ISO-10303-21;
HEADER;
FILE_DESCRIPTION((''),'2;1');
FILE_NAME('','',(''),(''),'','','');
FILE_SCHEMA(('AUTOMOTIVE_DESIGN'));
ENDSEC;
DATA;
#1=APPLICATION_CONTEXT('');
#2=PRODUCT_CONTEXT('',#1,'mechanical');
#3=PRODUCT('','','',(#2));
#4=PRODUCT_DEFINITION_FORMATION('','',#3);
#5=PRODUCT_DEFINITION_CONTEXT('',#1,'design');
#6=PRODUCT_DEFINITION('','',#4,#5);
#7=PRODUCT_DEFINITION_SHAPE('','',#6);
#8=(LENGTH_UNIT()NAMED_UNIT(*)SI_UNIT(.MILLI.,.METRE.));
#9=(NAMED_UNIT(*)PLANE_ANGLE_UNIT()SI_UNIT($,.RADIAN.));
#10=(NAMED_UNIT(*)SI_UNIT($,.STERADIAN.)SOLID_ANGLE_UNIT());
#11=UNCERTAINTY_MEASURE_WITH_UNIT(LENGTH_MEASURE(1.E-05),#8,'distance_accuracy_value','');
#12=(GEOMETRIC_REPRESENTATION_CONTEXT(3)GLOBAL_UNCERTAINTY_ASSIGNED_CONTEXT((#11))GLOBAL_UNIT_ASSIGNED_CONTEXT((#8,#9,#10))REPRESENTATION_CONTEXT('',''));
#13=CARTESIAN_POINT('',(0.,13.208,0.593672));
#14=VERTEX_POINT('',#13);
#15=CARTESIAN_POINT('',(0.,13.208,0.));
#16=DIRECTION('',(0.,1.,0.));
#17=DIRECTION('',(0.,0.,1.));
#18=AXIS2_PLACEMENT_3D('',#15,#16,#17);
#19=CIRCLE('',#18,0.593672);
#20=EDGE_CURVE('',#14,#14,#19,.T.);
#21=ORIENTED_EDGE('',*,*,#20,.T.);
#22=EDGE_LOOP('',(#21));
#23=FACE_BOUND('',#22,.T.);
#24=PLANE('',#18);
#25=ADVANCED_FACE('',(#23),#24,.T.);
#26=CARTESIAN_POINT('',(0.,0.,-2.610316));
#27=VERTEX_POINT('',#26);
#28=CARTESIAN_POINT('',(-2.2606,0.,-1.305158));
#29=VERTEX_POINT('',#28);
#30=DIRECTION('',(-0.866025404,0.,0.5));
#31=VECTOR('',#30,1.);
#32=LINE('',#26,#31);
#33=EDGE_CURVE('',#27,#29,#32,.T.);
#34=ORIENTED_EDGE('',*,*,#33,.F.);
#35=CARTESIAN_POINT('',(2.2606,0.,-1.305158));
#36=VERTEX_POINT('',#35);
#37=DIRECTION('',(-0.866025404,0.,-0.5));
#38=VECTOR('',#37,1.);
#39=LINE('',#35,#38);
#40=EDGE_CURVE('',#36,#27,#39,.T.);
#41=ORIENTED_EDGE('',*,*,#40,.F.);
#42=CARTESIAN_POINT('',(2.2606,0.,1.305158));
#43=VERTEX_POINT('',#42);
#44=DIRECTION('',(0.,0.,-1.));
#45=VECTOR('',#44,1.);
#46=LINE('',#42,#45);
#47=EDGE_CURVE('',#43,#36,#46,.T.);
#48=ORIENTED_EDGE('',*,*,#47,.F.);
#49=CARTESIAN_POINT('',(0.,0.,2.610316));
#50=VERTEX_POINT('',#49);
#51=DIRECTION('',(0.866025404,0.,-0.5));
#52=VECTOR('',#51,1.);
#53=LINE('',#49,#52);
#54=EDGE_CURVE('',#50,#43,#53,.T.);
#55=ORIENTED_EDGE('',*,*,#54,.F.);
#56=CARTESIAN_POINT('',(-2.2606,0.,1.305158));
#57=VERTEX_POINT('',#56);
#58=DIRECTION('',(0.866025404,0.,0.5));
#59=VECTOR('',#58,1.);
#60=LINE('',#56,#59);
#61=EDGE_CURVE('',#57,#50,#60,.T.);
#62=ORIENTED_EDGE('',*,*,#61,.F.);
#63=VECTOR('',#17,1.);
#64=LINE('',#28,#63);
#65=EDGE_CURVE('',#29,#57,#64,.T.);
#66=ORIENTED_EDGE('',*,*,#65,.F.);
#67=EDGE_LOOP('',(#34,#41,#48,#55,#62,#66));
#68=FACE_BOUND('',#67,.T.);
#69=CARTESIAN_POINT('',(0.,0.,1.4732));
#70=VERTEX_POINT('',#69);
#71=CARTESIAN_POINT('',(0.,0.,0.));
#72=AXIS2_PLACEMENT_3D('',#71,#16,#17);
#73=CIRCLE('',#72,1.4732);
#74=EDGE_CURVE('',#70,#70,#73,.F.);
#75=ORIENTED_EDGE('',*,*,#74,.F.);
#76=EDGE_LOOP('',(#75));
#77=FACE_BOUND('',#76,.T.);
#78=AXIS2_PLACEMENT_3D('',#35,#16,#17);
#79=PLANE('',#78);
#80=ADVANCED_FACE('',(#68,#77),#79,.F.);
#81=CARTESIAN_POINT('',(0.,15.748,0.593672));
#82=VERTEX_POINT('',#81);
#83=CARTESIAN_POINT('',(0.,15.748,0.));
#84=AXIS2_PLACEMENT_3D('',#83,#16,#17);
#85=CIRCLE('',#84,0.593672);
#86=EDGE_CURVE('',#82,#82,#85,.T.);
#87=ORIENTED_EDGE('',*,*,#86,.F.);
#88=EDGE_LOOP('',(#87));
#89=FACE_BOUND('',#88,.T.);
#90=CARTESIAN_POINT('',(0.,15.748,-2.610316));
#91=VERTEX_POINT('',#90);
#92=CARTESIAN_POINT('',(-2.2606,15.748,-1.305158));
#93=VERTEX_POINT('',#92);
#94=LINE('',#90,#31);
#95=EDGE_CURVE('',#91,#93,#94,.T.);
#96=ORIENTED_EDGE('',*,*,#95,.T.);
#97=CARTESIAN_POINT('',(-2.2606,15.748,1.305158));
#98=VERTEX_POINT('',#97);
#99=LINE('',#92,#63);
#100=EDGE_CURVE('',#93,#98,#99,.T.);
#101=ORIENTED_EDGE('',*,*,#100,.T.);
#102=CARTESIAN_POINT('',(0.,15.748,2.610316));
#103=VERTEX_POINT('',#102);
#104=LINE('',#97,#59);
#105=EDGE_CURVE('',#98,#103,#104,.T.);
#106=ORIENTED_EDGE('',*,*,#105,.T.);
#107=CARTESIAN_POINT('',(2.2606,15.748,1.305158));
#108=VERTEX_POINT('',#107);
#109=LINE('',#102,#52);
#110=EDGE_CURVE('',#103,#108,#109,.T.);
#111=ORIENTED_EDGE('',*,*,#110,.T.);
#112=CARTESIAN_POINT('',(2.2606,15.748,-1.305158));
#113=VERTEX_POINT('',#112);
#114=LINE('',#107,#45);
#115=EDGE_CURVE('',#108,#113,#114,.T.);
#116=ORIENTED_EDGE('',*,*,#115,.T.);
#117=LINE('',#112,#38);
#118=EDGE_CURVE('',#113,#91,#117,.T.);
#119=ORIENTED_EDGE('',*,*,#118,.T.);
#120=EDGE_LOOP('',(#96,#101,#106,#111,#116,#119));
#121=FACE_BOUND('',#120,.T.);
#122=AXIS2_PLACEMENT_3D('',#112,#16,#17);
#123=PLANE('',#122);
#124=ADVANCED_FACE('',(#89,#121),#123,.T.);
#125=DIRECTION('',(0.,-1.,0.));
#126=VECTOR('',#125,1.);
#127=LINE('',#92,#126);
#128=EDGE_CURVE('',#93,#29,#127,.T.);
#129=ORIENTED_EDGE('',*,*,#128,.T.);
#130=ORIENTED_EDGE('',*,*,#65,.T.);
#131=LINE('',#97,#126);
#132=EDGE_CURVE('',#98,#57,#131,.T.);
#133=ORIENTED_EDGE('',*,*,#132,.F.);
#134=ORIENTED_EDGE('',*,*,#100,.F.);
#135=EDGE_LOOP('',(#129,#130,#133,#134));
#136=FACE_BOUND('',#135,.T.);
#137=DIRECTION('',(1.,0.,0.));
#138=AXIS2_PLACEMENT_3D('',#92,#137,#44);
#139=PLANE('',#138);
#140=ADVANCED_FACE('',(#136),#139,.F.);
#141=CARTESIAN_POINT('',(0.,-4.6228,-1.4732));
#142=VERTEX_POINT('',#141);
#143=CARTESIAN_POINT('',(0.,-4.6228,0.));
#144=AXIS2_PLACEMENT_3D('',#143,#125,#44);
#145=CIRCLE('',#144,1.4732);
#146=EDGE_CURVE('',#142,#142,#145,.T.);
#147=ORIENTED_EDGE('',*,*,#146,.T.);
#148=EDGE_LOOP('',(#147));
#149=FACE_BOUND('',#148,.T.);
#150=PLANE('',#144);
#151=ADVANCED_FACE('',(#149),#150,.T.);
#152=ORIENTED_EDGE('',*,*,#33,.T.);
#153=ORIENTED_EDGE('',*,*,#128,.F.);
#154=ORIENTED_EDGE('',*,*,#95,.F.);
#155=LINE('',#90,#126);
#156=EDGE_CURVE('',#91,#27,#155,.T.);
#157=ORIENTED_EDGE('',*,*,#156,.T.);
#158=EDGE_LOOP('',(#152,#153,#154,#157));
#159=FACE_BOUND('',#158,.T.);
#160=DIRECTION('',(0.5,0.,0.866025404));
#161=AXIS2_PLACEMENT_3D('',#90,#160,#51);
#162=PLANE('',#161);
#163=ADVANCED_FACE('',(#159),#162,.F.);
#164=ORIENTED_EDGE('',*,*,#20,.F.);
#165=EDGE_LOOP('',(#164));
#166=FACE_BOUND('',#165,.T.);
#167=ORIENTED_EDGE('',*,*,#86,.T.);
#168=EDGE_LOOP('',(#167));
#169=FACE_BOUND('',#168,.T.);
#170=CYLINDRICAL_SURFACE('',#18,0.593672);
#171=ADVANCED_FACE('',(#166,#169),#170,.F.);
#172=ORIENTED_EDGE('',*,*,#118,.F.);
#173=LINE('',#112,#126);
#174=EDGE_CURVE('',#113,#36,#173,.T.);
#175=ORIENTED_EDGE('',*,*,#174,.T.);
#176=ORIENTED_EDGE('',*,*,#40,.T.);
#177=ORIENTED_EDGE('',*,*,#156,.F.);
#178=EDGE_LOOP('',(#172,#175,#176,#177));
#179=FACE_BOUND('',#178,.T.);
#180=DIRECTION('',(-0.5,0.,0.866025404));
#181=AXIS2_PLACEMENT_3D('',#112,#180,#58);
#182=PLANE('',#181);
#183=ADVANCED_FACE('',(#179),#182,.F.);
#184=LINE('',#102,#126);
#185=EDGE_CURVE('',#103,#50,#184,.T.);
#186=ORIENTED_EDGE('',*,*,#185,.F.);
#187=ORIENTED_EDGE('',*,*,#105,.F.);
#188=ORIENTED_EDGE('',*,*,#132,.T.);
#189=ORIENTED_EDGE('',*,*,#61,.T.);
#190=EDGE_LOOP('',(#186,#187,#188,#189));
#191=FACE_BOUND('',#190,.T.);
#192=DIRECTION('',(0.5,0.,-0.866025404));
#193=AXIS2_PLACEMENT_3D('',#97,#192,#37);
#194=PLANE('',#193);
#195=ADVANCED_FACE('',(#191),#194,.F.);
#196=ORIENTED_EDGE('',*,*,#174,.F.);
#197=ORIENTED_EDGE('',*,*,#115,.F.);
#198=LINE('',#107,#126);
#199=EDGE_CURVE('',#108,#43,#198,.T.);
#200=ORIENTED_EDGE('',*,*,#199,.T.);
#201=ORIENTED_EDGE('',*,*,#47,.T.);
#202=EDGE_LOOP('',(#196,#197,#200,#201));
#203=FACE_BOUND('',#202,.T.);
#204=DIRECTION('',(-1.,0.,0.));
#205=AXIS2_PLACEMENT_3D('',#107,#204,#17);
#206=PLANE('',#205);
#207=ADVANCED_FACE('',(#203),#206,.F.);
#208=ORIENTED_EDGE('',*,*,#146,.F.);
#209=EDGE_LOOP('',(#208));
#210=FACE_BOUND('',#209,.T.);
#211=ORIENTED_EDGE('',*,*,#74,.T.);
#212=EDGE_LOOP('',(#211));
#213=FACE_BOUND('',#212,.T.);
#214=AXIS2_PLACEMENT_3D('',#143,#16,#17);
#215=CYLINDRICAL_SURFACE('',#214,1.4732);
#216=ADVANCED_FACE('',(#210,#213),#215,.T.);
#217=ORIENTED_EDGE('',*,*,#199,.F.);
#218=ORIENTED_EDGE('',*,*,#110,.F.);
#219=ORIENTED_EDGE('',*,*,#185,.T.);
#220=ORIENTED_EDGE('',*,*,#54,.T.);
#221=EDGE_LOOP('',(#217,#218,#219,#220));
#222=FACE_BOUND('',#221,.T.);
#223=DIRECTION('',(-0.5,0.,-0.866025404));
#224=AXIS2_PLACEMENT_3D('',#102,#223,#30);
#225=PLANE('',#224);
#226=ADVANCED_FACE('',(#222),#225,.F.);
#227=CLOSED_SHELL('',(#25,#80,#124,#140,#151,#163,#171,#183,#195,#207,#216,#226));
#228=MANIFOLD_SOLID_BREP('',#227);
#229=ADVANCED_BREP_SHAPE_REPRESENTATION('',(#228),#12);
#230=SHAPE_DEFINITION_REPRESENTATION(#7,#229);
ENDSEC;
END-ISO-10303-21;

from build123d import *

# Parameters (mm, degrees)
BOSS_EXTRUDE1_DEPTH = 15.748
SKETCH2_R           = 1.4732
BOSS_EXTRUDE2_DEPTH = 4.6228
SKETCH3_R           = 0.593671867
CUT_EXTRUDE1_DEPTH  = 2.54


with BuildPart() as part:
    # Sketch1 → Boss-Extrude1 (new body)
    with BuildSketch(Plane(origin=(0, 0, 0), x_dir=(1, 0, 0), z_dir=(0, 1, 0))):
        Polygon((2.2606, 1.305158019), (0, 2.610316037), (-2.2606, 1.305158019), (-2.2606, -1.305158019), (0, -2.610316037), (2.2606, -1.305158019), align=None)
    extrude(amount=BOSS_EXTRUDE1_DEPTH)

    # Sketch2 → Boss-Extrude2 (add)
    with BuildSketch(Plane.XZ):
        with Locations(Location((0, 0, 0), (0, 0, 90))):
            Circle(SKETCH2_R)
    extrude(amount=BOSS_EXTRUDE2_DEPTH)

    # Sketch3 → Cut-Extrude1 (cut)
    with BuildSketch(Plane(origin=(0, 15.748, 0), x_dir=(1, 0, 0), z_dir=(0, 1, 0))):
        with Locations(Location((0, 0, 0), (0, 0, 270))):
            Circle(SKETCH3_R)
    extrude(amount=-CUT_EXTRUDE1_DEPTH, mode=Mode.SUBTRACT)


solid = part.part
